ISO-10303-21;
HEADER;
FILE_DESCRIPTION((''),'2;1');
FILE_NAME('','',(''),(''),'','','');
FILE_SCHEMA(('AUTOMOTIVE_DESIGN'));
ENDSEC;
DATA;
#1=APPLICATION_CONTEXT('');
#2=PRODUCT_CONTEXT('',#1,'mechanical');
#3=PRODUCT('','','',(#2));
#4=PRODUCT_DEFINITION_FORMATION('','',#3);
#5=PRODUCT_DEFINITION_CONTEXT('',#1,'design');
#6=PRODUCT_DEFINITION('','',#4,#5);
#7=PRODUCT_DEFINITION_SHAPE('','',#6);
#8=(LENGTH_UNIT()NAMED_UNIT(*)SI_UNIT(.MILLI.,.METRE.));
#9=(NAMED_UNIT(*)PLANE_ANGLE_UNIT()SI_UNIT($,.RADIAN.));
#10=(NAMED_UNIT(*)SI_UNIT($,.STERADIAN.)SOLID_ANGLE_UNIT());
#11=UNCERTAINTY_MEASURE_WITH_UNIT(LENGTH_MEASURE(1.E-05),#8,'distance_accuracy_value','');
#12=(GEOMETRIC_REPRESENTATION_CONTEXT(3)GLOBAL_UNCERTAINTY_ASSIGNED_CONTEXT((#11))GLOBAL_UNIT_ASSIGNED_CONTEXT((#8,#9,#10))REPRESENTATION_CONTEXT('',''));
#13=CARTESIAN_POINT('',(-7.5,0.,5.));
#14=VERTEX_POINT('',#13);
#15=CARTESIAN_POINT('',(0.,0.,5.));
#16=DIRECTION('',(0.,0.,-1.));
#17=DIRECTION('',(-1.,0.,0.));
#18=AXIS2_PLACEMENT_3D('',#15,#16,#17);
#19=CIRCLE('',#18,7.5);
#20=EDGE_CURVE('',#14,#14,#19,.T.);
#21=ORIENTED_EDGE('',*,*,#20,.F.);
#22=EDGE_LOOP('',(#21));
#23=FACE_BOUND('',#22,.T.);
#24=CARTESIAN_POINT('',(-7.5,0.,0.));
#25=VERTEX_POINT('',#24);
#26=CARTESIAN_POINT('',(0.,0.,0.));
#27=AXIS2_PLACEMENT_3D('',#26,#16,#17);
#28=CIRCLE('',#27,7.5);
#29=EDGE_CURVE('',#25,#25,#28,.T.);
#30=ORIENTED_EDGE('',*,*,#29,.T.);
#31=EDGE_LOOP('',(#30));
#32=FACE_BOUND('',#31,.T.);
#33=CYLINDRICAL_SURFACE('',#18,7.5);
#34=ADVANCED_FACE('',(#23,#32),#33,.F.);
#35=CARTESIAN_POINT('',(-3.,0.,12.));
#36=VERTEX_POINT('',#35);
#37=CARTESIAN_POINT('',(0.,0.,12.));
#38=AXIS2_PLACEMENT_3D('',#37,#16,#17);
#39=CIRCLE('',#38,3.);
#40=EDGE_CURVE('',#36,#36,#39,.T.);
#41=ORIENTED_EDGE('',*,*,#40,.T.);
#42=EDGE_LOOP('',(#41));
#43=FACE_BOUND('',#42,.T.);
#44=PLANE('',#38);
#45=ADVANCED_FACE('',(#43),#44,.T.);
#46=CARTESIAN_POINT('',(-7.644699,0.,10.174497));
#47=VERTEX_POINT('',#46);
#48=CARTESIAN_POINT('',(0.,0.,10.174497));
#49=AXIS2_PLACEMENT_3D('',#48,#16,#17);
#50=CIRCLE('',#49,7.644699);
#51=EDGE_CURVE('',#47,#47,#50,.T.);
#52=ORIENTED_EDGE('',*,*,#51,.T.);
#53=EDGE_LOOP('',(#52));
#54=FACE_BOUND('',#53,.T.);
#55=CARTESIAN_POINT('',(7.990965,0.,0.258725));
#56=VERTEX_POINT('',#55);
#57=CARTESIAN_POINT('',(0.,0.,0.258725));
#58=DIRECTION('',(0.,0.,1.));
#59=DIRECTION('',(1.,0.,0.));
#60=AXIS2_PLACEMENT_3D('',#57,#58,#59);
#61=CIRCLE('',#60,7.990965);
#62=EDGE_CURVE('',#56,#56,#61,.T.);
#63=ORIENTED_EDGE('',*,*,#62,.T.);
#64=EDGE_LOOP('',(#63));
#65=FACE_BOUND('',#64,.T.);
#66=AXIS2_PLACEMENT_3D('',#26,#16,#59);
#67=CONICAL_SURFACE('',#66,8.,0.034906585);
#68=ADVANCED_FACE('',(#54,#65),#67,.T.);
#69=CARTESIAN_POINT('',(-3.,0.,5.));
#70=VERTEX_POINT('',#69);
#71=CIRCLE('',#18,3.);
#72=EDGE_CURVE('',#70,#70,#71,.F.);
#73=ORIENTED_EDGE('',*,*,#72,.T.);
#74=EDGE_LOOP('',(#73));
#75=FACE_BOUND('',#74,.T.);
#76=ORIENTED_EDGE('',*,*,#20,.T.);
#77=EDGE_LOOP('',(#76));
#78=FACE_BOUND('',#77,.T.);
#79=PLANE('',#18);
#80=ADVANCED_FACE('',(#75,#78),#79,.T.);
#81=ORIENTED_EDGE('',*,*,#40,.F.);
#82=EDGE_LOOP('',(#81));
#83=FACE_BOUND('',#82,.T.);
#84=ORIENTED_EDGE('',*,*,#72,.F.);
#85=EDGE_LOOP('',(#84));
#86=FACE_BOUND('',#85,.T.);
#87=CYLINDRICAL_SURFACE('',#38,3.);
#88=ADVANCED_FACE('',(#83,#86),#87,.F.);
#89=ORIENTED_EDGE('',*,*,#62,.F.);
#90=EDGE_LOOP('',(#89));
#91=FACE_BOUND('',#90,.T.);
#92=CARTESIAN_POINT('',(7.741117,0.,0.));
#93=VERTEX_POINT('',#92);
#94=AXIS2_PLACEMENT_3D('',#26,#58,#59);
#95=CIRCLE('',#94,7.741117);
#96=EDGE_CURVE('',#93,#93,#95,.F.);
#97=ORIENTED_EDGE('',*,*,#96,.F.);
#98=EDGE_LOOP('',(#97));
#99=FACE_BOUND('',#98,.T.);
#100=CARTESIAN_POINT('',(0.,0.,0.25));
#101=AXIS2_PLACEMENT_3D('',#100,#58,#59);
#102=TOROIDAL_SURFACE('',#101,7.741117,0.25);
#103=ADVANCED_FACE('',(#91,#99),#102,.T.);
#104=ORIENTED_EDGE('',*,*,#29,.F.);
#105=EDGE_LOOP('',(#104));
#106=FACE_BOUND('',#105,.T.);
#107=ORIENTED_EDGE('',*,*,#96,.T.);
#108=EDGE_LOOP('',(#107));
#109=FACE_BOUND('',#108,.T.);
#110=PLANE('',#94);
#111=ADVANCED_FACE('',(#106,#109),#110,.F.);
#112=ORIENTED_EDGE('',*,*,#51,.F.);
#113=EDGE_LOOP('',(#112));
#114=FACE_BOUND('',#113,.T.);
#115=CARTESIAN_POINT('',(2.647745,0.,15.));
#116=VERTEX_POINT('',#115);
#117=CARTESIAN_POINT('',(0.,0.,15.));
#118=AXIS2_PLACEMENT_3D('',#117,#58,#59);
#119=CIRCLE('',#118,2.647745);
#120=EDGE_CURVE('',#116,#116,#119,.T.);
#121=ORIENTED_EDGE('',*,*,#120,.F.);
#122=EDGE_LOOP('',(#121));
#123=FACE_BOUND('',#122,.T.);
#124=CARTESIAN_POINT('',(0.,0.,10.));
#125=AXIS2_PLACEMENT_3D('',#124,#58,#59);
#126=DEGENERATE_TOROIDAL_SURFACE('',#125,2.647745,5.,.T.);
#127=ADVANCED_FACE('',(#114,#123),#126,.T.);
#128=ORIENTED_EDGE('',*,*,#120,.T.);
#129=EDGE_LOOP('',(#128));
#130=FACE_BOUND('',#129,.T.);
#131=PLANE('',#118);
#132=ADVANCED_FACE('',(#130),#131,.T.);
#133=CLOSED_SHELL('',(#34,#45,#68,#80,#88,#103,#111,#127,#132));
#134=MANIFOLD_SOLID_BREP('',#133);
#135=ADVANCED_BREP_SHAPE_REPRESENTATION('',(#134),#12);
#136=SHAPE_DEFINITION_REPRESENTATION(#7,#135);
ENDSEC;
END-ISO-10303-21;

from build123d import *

# Parameters (mm, degrees)
ESQUISSE1_R             = 8
BOSS_EXTRU_1_DEPTH      = 15
BOSS_EXTRU_1_TAPER      = 2
CONG_1_R                = 5
ESQUISSE2_R             = 3
ENL_V_MAT_EXTRU_1_DEPTH = 12
ESQUISSE3_R             = 7.5
ENL_V_MAT_EXTRU_2_DEPTH = 5
CONG_2_R                = 0.25


with BuildPart() as part:
    # Esquisse1 → Boss.-Extru.1 (new body)
    with BuildSketch(Plane.XY):
        Circle(ESQUISSE1_R)
    extrude(amount=BOSS_EXTRU_1_DEPTH, taper=BOSS_EXTRU_1_TAPER)

    # Congé1
    cong_1_edges = [part.edges().sort_by_distance(p)[0] for p in [
        (-7.476188458, 0, 15),
    ]]
    fillet(cong_1_edges, radius=CONG_1_R)

    # Esquisse2 → Enlèv. mat.-Extru.1 (cut)
    with BuildSketch(Plane(origin=(0, 0, 0), x_dir=(-1, 0, 0), z_dir=(0, 0, -1))):
        Circle(ESQUISSE2_R)
    extrude(amount=-ENL_V_MAT_EXTRU_1_DEPTH, mode=Mode.SUBTRACT)

    # Esquisse3 → Enlèv. mat.-Extru.2 (cut)
    with BuildSketch(Plane(origin=(0, 0, 0), x_dir=(-1, 0, 0), z_dir=(0, 0, -1))):
        Circle(ESQUISSE3_R)
    extrude(amount=-ENL_V_MAT_EXTRU_2_DEPTH, mode=Mode.SUBTRACT)

    # Congé2
    cong_2_edges = [part.edges().sort_by_distance(p)[0] for p in [
        (-8, 0, 0),
    ]]
    fillet(cong_2_edges, radius=CONG_2_R)


solid = part.part
